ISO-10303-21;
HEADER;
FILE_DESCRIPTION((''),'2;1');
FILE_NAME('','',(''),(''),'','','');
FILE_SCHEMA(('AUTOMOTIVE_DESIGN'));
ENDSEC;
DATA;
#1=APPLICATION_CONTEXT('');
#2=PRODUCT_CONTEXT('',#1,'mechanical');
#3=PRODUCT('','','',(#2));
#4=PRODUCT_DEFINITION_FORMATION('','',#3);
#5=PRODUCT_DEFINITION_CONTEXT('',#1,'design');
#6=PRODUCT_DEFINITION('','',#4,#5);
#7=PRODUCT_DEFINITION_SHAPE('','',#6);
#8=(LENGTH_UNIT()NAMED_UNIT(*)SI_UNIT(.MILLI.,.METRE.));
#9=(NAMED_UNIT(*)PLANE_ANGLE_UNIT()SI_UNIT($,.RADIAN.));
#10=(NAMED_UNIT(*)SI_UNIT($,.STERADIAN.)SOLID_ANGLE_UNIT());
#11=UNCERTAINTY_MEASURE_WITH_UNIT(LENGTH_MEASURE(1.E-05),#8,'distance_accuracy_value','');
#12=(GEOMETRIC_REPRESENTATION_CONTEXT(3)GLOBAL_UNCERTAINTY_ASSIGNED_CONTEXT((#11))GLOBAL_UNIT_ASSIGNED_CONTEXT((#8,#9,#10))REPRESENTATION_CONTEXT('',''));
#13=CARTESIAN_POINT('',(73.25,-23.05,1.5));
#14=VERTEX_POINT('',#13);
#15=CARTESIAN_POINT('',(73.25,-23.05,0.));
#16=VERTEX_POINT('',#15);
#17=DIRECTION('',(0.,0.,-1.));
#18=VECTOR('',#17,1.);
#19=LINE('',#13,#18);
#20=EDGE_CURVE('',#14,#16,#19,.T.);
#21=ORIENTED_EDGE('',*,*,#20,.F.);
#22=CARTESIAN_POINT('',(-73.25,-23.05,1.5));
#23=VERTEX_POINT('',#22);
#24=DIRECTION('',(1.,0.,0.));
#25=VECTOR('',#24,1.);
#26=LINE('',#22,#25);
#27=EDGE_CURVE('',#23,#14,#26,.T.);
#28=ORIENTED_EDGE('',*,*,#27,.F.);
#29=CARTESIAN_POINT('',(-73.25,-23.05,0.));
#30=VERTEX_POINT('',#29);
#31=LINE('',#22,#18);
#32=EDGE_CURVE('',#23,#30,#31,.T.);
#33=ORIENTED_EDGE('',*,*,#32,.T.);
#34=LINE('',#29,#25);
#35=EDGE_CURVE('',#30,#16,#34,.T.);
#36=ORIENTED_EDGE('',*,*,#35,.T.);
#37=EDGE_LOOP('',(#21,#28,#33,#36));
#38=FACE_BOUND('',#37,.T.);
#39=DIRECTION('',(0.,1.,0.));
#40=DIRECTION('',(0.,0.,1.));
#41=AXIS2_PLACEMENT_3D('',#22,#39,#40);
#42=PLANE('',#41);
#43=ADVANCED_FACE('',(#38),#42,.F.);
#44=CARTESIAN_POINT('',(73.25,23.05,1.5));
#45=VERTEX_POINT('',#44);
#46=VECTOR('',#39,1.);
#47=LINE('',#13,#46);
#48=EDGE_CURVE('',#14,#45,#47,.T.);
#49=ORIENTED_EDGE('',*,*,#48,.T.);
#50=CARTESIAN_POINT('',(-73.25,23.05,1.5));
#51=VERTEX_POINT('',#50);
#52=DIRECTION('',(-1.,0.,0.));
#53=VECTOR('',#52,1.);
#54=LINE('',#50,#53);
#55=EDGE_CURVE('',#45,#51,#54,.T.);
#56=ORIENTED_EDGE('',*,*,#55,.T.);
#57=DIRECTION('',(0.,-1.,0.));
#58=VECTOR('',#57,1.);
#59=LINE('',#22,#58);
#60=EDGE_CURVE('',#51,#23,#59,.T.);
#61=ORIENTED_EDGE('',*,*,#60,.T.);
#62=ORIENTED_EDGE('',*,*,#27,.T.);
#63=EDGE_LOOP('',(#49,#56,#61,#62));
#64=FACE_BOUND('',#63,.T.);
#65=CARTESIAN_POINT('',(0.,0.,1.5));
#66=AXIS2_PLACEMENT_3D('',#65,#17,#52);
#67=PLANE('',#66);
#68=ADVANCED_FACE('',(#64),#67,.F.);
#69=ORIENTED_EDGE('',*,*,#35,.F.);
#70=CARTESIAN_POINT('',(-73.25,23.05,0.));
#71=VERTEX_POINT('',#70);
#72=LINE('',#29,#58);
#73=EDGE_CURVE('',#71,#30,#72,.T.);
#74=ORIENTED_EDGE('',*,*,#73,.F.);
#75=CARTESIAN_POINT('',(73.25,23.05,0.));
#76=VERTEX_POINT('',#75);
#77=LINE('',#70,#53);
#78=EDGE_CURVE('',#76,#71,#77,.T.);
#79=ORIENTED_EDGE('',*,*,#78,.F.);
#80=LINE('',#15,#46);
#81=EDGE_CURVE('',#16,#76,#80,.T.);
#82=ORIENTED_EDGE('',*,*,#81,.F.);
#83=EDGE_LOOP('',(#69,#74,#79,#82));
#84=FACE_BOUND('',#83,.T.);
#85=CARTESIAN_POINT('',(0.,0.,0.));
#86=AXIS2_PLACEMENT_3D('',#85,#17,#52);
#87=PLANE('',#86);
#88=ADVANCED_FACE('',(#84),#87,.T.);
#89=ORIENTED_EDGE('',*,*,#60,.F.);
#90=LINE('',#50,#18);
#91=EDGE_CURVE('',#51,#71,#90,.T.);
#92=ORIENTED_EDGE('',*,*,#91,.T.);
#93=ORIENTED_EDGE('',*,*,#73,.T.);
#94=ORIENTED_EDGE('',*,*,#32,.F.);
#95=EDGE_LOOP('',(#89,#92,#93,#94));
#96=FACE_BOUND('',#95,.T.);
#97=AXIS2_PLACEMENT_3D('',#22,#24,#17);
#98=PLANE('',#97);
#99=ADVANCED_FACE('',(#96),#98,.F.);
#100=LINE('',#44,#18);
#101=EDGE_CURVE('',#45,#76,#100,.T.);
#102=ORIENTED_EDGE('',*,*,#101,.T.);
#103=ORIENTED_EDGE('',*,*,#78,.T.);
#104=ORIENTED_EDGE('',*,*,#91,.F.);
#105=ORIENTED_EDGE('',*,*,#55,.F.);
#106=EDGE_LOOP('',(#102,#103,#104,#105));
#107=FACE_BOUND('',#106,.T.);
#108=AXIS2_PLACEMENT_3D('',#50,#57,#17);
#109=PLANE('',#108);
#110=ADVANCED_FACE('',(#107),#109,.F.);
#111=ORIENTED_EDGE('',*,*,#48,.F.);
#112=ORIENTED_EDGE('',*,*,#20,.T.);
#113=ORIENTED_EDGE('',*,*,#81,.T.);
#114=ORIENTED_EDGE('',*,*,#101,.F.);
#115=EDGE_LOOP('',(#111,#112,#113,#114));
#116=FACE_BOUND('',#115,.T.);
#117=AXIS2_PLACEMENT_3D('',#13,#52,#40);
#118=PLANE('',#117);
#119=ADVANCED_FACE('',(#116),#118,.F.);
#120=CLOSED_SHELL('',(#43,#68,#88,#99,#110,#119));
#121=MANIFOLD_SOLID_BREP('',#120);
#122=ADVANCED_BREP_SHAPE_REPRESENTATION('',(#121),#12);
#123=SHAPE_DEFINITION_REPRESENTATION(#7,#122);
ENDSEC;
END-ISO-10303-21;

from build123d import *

# Parameters (mm, degrees)
SKETCH1_W           = 146.5
SKETCH1_H           = 46.1
BOSS_EXTRUDE1_DEPTH = 1.5


with BuildPart() as part:
    # Sketch1 → Boss-Extrude1 (new body)
    with BuildSketch(Plane.XY):
        Rectangle(SKETCH1_W, SKETCH1_H)
    extrude(amount=BOSS_EXTRUDE1_DEPTH)


solid = part.part
